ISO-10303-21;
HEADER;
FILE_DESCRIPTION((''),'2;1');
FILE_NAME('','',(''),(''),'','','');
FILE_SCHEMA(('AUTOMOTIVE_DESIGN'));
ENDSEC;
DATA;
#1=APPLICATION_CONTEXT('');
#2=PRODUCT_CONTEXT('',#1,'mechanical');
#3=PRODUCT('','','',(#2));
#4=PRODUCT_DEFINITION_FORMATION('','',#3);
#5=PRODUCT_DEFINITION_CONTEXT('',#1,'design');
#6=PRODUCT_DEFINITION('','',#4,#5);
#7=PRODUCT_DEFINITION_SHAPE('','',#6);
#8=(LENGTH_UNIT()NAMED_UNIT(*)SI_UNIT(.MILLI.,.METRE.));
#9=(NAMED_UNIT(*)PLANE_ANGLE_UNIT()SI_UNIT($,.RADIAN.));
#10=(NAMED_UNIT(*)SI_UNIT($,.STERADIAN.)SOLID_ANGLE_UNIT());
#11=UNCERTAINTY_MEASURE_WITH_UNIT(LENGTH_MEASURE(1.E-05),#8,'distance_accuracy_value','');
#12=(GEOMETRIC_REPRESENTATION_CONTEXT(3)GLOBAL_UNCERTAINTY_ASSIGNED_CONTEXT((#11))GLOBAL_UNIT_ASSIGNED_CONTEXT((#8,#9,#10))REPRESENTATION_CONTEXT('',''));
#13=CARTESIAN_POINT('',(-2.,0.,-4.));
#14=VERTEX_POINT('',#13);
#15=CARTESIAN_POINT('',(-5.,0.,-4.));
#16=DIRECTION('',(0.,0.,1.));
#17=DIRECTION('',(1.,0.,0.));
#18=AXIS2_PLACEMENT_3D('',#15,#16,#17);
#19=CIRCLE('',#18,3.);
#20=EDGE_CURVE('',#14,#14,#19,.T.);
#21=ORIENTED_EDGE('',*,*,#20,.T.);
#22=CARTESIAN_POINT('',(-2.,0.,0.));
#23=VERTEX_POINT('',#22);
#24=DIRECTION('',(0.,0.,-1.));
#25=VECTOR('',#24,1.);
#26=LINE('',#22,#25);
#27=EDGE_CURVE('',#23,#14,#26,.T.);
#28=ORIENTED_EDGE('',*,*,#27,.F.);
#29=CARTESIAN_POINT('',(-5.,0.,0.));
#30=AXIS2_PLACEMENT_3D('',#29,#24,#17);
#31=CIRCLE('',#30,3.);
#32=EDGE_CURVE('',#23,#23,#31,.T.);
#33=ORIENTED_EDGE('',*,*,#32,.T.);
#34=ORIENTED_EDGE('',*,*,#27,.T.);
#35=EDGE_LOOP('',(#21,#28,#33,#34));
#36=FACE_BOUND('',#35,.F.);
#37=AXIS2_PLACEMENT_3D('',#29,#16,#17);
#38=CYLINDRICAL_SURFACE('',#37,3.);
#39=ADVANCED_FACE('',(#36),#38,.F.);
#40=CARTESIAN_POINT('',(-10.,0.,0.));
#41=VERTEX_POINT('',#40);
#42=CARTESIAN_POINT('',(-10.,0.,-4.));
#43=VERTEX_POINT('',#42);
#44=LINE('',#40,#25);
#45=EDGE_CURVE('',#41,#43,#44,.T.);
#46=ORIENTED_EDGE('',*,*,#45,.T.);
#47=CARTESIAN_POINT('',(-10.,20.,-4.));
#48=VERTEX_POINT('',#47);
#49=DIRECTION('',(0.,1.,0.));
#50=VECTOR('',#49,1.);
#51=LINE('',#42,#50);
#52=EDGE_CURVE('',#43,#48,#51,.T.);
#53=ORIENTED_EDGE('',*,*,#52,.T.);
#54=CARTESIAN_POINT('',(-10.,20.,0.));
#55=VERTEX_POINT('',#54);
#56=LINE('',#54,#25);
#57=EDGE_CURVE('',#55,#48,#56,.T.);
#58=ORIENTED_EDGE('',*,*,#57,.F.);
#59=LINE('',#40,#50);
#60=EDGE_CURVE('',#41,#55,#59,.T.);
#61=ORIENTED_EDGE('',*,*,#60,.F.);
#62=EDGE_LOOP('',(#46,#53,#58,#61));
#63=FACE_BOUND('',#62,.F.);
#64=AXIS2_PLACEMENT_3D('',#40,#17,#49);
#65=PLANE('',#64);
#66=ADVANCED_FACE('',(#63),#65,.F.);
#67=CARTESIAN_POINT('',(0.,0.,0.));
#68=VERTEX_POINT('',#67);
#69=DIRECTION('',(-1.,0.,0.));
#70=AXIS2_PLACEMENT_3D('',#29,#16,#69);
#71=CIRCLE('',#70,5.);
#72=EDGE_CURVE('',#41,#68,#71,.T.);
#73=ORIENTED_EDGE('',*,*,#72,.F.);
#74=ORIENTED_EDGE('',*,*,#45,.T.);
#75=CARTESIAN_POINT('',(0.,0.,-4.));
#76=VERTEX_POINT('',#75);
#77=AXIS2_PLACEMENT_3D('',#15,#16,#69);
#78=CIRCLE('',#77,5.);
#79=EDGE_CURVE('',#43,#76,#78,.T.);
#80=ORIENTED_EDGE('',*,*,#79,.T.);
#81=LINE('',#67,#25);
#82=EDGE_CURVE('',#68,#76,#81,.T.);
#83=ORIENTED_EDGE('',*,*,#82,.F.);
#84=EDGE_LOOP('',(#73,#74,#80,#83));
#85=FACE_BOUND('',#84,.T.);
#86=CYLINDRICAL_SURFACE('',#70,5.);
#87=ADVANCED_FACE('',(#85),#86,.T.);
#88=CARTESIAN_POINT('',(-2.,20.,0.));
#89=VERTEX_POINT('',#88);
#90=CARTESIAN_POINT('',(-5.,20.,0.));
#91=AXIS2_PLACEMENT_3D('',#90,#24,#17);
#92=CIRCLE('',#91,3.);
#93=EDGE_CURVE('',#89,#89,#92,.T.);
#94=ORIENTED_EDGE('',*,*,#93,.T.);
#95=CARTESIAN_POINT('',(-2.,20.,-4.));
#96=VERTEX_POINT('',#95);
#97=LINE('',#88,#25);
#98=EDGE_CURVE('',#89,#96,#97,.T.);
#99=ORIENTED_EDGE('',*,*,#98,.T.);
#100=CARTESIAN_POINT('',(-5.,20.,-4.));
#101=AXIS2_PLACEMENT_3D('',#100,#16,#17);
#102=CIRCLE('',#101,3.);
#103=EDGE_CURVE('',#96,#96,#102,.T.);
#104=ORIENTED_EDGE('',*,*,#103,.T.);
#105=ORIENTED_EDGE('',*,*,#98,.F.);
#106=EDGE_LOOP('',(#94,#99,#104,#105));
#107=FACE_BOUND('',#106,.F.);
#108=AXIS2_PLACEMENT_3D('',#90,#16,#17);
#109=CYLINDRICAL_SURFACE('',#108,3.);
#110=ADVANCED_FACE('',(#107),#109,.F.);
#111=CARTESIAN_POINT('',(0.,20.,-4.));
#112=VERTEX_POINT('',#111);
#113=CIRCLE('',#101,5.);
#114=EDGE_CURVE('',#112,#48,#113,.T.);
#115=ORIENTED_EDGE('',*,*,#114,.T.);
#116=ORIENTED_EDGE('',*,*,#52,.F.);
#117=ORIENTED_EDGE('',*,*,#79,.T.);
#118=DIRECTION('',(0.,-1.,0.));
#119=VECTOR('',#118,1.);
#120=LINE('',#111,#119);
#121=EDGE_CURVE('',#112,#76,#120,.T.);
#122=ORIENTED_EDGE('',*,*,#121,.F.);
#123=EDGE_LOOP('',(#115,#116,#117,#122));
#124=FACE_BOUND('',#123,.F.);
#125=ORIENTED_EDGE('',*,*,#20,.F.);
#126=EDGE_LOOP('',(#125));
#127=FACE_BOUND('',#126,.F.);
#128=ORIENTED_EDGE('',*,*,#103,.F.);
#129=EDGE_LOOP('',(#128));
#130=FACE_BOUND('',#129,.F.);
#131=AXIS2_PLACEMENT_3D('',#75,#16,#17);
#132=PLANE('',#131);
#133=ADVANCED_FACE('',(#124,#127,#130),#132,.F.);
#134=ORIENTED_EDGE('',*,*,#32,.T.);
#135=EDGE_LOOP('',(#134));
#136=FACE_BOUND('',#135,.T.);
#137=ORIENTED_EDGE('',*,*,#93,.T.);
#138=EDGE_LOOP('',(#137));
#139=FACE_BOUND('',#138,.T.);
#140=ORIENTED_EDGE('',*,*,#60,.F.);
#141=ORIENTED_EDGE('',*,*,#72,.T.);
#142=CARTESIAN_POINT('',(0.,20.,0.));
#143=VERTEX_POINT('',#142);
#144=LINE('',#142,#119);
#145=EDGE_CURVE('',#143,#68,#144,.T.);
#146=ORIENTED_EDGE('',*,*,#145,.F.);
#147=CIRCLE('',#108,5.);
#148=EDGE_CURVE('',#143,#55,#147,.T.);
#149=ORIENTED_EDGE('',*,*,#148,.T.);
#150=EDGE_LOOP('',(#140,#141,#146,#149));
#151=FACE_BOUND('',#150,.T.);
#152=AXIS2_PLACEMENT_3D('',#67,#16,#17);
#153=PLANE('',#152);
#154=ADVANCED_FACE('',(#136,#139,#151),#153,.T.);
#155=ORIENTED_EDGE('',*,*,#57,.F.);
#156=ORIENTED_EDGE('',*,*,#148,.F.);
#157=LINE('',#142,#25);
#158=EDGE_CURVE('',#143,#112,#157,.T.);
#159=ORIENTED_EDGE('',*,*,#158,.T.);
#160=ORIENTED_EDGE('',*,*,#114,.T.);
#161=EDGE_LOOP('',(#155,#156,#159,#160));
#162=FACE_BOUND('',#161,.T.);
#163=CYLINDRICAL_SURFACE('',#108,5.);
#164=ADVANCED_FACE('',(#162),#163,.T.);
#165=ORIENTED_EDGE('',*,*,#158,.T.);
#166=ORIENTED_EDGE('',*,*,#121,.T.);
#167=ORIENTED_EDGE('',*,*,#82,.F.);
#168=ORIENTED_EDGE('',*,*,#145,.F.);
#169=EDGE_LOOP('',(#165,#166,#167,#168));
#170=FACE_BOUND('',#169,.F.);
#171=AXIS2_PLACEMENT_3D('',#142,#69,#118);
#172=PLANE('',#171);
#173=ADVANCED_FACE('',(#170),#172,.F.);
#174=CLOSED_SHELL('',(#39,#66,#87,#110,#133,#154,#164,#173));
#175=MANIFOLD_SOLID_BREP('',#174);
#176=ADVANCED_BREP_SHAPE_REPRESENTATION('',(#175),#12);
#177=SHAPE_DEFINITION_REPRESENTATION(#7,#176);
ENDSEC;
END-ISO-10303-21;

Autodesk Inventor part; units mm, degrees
ref_plane "YZ Plane" through (0, 0, 0) normal (1, 0, 0) x (0, 1, 0)
ref_plane "XZ Plane" through (0, 0, 0) normal (0, 1, 0) x (-1, 0, 0)
ref_plane "XY Plane" through (0, 0, 0) normal (0, 0, 1) x (1, 0, 0)
sketch "Szkic1" plane through (0, 0, 0) normal (0, 0, 1) x (1, 0, 0)
  line L0 (0, 0) -> (-10, 0)
  line L1 (-10, 0) -> (-10, 20)
  line L2 (-10, 20) -> (0, 20)
  line L3 (0, 20) -> (0, 0)
  arc A0 (0, 20) -> (-10, 20) centre (-5, 20) ccw
  arc A1 (-10, 0) -> (0, 0) centre (-5, 0) ccw
  circle A2 centre (-5, 20) radius 3
  circle A3 centre (-5, 0) radius 3
  dimension "d0" = 10
  dimension "d1" = 20
  dimension "d2" = 6
  dimension "d3" = 6
extrude "Wyciągnięcie proste1" add sketch "Szkic1" against normal blind 4 contours A1 L0 A3 | L0 A3 L1 L2 A2 L3 | L2 A2 A0
properties part number "część L3" material "Stal nierdzewna 440C"
